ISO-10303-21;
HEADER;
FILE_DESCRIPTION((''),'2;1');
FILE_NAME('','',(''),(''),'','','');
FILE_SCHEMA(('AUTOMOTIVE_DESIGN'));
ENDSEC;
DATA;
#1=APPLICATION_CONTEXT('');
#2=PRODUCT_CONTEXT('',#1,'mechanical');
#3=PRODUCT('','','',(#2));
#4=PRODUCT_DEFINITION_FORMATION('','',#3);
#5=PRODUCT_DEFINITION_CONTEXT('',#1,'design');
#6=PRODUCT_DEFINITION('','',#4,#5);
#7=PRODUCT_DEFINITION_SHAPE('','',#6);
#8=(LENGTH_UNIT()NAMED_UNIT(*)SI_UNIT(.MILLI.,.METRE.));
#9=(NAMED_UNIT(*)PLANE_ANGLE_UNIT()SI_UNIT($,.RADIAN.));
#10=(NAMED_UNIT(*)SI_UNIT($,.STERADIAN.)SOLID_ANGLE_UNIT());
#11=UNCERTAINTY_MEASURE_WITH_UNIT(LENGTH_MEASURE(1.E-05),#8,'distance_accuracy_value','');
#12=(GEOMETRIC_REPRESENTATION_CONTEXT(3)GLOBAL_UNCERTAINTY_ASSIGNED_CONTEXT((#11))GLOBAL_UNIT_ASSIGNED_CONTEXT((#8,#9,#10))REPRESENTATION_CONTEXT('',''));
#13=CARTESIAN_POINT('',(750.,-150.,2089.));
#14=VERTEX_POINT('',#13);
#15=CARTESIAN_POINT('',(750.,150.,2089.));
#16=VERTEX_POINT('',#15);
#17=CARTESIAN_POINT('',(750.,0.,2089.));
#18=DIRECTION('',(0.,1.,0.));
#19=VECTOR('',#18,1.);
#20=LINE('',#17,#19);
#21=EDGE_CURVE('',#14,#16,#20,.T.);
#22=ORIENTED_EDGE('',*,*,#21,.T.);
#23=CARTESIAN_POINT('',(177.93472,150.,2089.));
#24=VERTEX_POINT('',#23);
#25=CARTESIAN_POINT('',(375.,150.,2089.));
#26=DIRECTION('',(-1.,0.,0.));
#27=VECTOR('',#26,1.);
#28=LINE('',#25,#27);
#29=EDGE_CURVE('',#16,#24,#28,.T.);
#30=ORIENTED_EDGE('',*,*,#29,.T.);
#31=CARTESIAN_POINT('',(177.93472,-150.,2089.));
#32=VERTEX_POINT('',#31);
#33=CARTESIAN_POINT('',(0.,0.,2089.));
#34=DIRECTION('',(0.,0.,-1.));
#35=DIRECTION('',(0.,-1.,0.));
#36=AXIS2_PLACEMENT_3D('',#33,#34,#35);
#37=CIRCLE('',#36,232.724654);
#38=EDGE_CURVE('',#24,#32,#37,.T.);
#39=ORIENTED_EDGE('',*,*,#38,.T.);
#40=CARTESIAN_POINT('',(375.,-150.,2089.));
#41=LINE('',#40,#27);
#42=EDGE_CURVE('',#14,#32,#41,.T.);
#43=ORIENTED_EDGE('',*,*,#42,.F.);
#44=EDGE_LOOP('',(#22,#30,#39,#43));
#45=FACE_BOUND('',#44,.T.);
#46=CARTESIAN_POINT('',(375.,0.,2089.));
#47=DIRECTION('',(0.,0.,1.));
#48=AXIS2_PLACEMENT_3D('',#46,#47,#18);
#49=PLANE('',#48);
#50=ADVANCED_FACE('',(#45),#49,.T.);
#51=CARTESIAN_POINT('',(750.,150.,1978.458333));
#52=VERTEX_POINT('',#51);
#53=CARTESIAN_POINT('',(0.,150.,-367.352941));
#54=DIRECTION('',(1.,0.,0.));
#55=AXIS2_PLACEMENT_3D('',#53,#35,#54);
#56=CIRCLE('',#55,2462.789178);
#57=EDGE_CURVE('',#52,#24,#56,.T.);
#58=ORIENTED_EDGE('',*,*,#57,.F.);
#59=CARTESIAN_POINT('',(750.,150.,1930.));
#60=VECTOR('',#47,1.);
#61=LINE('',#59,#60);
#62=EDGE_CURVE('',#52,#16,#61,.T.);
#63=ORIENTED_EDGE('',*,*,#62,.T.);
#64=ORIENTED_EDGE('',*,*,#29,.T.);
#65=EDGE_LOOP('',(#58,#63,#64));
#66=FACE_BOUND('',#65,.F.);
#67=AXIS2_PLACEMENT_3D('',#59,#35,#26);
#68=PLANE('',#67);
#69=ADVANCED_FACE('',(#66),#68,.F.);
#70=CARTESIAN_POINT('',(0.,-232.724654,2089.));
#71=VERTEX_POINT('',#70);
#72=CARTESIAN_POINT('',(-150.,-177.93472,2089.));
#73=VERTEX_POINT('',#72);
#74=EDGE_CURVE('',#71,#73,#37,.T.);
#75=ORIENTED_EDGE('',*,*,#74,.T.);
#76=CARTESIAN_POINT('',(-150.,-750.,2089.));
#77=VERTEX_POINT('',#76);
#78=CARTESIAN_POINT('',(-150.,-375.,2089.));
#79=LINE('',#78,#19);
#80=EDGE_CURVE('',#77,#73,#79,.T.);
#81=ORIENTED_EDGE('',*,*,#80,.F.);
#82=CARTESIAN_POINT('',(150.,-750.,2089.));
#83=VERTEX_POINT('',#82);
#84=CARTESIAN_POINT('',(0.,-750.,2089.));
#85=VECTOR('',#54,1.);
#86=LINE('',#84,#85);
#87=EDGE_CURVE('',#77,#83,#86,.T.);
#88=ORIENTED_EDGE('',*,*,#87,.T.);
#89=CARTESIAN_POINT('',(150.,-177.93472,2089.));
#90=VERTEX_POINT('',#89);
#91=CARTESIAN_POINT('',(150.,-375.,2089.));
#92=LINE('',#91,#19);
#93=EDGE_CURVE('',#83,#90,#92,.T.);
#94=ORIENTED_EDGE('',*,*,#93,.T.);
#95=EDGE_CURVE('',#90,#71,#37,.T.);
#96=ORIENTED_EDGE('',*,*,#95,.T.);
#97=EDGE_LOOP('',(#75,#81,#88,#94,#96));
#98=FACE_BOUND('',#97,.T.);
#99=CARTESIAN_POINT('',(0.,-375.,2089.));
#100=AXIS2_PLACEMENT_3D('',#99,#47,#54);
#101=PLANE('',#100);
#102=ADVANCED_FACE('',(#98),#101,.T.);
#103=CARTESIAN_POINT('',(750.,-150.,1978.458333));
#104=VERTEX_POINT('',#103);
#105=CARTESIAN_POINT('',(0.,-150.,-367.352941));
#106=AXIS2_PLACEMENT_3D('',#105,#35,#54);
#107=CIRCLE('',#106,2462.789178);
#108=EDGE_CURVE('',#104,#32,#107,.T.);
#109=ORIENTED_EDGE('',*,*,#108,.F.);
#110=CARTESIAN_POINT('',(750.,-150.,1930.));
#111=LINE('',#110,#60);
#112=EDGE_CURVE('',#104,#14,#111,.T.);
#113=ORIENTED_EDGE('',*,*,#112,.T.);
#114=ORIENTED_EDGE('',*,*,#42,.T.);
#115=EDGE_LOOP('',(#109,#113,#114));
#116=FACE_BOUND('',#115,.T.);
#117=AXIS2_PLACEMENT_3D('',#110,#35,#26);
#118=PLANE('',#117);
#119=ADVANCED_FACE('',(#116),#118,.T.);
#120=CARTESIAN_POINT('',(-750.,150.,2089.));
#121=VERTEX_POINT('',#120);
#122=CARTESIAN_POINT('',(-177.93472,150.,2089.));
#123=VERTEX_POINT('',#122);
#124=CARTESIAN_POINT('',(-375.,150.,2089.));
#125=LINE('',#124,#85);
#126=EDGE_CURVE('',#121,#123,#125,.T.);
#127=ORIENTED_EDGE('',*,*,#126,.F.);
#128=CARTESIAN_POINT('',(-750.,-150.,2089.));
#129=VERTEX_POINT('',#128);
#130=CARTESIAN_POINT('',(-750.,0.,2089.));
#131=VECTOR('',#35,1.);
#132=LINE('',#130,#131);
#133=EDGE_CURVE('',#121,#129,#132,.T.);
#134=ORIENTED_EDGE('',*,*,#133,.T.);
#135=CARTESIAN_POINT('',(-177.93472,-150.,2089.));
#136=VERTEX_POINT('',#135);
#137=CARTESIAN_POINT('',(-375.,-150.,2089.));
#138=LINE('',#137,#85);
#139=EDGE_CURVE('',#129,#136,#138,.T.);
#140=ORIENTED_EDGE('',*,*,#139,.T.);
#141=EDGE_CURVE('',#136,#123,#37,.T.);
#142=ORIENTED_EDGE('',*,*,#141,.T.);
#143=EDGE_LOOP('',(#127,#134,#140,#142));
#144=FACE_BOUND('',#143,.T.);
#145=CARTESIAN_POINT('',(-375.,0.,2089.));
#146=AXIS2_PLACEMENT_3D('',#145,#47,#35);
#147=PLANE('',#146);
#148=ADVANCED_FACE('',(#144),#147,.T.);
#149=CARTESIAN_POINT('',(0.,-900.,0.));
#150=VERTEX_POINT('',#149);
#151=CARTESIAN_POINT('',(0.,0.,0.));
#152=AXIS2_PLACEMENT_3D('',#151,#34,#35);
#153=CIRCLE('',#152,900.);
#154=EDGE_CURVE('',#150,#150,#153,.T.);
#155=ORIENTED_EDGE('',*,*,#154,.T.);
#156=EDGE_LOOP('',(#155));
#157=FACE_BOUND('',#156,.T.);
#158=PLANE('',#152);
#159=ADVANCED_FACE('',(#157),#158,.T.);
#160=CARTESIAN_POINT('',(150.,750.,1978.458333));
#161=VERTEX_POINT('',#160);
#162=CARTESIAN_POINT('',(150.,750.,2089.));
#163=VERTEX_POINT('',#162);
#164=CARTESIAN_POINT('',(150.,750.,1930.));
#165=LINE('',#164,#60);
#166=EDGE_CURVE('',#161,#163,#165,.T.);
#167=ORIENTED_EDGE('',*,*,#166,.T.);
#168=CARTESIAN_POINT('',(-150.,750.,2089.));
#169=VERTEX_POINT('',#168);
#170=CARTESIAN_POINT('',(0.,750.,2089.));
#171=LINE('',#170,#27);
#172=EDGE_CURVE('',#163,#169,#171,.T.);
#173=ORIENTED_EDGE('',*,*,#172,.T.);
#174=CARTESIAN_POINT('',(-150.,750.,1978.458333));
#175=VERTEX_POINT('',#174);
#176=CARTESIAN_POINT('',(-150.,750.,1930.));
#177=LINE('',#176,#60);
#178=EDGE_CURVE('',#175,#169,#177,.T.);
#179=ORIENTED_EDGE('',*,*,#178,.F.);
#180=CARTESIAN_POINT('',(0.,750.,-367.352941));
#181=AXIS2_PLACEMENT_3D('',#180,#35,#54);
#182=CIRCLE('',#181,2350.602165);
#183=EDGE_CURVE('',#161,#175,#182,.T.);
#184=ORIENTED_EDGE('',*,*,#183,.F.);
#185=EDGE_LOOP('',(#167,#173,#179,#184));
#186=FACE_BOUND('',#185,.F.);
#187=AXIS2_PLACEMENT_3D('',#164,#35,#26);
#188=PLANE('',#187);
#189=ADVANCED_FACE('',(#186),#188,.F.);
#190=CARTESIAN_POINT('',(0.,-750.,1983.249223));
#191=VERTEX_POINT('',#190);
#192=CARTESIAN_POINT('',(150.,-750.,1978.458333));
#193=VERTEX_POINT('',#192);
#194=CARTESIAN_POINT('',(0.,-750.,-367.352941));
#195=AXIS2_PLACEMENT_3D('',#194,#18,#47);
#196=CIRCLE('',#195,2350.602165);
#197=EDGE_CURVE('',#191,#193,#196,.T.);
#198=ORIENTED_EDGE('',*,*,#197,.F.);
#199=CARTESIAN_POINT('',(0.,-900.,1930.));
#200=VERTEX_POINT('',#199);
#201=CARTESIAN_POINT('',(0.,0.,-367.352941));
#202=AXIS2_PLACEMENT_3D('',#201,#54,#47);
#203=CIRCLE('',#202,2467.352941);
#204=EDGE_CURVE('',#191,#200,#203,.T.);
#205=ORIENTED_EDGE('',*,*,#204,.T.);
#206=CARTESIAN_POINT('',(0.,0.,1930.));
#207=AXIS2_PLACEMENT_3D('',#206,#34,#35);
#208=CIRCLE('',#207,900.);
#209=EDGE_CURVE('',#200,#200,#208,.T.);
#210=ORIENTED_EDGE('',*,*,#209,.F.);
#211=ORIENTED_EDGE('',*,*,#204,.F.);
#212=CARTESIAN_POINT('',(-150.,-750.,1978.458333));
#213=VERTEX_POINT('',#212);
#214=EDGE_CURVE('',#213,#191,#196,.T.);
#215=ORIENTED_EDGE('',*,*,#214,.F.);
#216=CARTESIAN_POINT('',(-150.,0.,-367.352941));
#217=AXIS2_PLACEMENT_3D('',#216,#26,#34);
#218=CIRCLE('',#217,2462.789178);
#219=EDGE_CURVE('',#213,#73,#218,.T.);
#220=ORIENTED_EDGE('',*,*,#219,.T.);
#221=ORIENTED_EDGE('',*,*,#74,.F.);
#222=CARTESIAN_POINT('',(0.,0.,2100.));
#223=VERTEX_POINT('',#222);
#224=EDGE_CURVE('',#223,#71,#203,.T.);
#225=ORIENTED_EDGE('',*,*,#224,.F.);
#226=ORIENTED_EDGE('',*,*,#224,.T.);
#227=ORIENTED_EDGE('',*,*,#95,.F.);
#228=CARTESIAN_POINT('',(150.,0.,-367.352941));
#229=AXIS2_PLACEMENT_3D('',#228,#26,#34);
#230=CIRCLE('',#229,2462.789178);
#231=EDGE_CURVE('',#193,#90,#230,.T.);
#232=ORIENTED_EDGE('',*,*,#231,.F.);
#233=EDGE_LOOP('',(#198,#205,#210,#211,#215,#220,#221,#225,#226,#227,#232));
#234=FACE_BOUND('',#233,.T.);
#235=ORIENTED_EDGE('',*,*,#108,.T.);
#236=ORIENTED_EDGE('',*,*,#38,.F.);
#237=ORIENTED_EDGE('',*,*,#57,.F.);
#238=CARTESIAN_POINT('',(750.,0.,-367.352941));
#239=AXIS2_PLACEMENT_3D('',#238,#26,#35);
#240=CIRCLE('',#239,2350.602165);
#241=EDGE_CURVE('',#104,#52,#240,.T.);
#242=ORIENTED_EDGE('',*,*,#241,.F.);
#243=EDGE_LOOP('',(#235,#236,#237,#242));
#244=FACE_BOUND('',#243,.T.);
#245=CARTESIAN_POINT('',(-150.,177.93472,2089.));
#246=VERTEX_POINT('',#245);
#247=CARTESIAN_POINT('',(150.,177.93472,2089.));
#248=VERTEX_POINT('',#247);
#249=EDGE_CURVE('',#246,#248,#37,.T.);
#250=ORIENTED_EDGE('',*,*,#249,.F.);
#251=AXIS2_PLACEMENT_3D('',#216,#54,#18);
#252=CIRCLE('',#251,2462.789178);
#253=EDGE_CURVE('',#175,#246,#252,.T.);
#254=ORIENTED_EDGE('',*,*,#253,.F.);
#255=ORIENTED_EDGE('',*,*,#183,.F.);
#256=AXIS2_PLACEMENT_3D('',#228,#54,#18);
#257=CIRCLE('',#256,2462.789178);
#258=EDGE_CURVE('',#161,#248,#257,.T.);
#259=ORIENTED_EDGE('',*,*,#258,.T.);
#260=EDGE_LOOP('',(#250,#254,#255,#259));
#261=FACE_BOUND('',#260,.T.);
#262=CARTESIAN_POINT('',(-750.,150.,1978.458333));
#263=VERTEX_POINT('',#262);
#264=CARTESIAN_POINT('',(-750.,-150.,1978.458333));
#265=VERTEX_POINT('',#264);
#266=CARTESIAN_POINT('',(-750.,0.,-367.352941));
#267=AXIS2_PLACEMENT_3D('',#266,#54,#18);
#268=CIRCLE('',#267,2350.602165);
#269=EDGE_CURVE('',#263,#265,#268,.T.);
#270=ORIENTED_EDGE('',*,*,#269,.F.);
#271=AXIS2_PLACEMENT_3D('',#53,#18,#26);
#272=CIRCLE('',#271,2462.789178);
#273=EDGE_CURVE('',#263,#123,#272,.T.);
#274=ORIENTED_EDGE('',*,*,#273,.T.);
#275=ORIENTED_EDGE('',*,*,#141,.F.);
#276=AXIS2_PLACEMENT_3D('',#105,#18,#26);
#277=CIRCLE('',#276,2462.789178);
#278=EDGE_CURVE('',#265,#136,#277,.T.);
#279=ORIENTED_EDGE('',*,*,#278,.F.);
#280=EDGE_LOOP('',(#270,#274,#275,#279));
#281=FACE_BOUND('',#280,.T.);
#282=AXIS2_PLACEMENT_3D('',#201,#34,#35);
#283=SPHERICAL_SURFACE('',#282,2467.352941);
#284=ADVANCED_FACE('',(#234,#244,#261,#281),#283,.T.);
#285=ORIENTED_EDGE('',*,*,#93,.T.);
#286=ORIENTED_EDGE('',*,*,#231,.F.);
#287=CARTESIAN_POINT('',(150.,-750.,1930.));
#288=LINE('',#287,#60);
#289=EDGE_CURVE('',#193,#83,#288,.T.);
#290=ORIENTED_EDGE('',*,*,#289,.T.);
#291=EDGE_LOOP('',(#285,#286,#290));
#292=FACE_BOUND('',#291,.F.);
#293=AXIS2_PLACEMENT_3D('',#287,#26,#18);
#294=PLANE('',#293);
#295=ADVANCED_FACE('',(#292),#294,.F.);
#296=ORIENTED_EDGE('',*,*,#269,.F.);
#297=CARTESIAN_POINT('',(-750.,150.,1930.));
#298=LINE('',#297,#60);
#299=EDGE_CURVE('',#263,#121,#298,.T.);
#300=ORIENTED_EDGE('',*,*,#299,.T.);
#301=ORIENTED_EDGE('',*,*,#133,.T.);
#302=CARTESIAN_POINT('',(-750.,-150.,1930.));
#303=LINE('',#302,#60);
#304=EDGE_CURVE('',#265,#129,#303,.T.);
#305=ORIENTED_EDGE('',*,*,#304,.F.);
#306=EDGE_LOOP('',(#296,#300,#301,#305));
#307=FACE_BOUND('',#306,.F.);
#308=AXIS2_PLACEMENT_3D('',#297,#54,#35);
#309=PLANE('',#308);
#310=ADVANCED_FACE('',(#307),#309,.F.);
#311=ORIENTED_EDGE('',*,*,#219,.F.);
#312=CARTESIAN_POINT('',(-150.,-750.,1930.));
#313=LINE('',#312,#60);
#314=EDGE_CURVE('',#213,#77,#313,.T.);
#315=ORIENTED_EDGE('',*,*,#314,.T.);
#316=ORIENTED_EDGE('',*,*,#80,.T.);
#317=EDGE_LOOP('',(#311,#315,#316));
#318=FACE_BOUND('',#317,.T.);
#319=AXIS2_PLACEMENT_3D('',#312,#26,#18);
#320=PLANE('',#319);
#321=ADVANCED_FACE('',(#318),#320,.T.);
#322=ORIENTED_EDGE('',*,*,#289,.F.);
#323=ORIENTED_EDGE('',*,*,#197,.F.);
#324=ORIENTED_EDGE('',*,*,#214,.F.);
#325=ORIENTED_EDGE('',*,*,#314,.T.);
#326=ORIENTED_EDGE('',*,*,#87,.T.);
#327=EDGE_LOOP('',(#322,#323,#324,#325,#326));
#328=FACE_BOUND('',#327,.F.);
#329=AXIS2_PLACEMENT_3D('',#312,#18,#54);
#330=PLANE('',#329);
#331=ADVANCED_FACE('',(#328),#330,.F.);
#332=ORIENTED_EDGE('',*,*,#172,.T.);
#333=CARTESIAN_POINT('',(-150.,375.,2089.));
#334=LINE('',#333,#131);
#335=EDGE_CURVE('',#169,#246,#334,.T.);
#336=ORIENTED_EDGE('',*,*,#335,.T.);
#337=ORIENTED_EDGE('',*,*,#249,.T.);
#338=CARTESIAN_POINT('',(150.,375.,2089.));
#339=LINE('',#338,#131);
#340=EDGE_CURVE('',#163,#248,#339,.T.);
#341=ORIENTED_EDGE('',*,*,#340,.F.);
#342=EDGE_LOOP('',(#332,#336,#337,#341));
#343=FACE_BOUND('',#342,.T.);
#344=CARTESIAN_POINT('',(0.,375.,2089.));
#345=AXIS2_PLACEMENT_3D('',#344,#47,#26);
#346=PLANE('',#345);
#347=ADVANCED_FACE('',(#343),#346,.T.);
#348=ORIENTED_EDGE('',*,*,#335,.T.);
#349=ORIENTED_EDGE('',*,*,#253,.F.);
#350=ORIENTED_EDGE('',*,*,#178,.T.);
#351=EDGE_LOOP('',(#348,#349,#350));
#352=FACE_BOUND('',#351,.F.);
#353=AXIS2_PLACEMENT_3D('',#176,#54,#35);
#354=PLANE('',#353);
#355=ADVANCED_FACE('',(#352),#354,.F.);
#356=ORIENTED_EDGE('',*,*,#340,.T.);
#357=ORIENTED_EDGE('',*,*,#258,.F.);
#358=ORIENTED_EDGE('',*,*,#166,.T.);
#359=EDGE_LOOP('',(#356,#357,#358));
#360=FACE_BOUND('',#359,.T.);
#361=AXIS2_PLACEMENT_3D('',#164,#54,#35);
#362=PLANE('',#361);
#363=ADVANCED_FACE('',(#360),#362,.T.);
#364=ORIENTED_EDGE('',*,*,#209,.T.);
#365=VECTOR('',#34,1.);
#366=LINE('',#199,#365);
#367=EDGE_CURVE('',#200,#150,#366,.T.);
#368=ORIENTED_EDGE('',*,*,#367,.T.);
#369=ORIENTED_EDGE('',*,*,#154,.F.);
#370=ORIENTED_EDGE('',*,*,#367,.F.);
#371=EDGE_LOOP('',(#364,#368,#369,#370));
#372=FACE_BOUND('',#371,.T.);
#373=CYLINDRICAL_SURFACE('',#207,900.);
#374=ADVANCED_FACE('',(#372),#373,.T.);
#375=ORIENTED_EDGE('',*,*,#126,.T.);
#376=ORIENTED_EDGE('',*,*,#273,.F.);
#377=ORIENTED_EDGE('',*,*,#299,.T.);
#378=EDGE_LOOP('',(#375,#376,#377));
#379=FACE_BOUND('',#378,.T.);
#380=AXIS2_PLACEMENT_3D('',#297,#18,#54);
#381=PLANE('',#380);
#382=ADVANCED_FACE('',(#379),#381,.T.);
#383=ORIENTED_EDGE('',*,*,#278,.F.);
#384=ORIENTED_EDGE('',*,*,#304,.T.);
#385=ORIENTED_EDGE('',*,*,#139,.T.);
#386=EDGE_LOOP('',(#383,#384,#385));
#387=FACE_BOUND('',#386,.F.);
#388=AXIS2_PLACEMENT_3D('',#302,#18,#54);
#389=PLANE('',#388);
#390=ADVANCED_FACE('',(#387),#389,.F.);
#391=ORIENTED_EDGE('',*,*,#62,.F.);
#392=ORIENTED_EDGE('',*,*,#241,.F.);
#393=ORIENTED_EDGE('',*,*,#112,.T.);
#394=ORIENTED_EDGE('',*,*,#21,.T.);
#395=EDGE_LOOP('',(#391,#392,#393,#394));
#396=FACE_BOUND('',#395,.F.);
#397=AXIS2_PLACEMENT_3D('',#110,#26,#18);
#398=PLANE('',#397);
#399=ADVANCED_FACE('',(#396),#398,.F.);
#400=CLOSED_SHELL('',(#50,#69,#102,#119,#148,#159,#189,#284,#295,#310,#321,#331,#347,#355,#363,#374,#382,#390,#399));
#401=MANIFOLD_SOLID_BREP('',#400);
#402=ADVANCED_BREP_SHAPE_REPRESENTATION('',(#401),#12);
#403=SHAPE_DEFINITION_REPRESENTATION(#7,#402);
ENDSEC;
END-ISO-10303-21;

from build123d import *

# Parameters (mm, degrees)
F2_W     = 300
F2_H     = 750
F4_DEPTH = 159
F5_COUNT = 4


with BuildPart() as f3:
    # F1 (on Right) → F3 (revolve)
    with BuildSketch(Plane.YZ):
        with BuildLine():
            Line((-900, 0), (0, 0))
            Line((0, 0), (0, 2100))
            ThreePointArc((0, 2100), (-457.9574216016, 2057.1275261262), (-900, 1930))
            Line((-900, 1930), (-900, 0))
        make_face()
    revolve(axis=Axis((0, 0, 1050), (0, 0, -1)))



with BuildPart() as f4:
    # F2 (on offset) → F4 (new body)
    with BuildSketch(Plane.XY.offset(1930)):
        with Locations((0, -375)):
            Rectangle(F2_W, F2_H)
    extrude(amount=F4_DEPTH)


with BuildPart() as f3_1:
    add(f3.part)

    add(f4.part)  # F5 merges F4
    # F5: F4 ×4 about axis
    f5_axis = Axis((0, 0, 2582.4769020081), (0, 0, 1))
    for i in range(1, F5_COUNT):
        add(f4.part.rotate(f5_axis, i * 360 / F5_COUNT))


solid = f3_1.part
